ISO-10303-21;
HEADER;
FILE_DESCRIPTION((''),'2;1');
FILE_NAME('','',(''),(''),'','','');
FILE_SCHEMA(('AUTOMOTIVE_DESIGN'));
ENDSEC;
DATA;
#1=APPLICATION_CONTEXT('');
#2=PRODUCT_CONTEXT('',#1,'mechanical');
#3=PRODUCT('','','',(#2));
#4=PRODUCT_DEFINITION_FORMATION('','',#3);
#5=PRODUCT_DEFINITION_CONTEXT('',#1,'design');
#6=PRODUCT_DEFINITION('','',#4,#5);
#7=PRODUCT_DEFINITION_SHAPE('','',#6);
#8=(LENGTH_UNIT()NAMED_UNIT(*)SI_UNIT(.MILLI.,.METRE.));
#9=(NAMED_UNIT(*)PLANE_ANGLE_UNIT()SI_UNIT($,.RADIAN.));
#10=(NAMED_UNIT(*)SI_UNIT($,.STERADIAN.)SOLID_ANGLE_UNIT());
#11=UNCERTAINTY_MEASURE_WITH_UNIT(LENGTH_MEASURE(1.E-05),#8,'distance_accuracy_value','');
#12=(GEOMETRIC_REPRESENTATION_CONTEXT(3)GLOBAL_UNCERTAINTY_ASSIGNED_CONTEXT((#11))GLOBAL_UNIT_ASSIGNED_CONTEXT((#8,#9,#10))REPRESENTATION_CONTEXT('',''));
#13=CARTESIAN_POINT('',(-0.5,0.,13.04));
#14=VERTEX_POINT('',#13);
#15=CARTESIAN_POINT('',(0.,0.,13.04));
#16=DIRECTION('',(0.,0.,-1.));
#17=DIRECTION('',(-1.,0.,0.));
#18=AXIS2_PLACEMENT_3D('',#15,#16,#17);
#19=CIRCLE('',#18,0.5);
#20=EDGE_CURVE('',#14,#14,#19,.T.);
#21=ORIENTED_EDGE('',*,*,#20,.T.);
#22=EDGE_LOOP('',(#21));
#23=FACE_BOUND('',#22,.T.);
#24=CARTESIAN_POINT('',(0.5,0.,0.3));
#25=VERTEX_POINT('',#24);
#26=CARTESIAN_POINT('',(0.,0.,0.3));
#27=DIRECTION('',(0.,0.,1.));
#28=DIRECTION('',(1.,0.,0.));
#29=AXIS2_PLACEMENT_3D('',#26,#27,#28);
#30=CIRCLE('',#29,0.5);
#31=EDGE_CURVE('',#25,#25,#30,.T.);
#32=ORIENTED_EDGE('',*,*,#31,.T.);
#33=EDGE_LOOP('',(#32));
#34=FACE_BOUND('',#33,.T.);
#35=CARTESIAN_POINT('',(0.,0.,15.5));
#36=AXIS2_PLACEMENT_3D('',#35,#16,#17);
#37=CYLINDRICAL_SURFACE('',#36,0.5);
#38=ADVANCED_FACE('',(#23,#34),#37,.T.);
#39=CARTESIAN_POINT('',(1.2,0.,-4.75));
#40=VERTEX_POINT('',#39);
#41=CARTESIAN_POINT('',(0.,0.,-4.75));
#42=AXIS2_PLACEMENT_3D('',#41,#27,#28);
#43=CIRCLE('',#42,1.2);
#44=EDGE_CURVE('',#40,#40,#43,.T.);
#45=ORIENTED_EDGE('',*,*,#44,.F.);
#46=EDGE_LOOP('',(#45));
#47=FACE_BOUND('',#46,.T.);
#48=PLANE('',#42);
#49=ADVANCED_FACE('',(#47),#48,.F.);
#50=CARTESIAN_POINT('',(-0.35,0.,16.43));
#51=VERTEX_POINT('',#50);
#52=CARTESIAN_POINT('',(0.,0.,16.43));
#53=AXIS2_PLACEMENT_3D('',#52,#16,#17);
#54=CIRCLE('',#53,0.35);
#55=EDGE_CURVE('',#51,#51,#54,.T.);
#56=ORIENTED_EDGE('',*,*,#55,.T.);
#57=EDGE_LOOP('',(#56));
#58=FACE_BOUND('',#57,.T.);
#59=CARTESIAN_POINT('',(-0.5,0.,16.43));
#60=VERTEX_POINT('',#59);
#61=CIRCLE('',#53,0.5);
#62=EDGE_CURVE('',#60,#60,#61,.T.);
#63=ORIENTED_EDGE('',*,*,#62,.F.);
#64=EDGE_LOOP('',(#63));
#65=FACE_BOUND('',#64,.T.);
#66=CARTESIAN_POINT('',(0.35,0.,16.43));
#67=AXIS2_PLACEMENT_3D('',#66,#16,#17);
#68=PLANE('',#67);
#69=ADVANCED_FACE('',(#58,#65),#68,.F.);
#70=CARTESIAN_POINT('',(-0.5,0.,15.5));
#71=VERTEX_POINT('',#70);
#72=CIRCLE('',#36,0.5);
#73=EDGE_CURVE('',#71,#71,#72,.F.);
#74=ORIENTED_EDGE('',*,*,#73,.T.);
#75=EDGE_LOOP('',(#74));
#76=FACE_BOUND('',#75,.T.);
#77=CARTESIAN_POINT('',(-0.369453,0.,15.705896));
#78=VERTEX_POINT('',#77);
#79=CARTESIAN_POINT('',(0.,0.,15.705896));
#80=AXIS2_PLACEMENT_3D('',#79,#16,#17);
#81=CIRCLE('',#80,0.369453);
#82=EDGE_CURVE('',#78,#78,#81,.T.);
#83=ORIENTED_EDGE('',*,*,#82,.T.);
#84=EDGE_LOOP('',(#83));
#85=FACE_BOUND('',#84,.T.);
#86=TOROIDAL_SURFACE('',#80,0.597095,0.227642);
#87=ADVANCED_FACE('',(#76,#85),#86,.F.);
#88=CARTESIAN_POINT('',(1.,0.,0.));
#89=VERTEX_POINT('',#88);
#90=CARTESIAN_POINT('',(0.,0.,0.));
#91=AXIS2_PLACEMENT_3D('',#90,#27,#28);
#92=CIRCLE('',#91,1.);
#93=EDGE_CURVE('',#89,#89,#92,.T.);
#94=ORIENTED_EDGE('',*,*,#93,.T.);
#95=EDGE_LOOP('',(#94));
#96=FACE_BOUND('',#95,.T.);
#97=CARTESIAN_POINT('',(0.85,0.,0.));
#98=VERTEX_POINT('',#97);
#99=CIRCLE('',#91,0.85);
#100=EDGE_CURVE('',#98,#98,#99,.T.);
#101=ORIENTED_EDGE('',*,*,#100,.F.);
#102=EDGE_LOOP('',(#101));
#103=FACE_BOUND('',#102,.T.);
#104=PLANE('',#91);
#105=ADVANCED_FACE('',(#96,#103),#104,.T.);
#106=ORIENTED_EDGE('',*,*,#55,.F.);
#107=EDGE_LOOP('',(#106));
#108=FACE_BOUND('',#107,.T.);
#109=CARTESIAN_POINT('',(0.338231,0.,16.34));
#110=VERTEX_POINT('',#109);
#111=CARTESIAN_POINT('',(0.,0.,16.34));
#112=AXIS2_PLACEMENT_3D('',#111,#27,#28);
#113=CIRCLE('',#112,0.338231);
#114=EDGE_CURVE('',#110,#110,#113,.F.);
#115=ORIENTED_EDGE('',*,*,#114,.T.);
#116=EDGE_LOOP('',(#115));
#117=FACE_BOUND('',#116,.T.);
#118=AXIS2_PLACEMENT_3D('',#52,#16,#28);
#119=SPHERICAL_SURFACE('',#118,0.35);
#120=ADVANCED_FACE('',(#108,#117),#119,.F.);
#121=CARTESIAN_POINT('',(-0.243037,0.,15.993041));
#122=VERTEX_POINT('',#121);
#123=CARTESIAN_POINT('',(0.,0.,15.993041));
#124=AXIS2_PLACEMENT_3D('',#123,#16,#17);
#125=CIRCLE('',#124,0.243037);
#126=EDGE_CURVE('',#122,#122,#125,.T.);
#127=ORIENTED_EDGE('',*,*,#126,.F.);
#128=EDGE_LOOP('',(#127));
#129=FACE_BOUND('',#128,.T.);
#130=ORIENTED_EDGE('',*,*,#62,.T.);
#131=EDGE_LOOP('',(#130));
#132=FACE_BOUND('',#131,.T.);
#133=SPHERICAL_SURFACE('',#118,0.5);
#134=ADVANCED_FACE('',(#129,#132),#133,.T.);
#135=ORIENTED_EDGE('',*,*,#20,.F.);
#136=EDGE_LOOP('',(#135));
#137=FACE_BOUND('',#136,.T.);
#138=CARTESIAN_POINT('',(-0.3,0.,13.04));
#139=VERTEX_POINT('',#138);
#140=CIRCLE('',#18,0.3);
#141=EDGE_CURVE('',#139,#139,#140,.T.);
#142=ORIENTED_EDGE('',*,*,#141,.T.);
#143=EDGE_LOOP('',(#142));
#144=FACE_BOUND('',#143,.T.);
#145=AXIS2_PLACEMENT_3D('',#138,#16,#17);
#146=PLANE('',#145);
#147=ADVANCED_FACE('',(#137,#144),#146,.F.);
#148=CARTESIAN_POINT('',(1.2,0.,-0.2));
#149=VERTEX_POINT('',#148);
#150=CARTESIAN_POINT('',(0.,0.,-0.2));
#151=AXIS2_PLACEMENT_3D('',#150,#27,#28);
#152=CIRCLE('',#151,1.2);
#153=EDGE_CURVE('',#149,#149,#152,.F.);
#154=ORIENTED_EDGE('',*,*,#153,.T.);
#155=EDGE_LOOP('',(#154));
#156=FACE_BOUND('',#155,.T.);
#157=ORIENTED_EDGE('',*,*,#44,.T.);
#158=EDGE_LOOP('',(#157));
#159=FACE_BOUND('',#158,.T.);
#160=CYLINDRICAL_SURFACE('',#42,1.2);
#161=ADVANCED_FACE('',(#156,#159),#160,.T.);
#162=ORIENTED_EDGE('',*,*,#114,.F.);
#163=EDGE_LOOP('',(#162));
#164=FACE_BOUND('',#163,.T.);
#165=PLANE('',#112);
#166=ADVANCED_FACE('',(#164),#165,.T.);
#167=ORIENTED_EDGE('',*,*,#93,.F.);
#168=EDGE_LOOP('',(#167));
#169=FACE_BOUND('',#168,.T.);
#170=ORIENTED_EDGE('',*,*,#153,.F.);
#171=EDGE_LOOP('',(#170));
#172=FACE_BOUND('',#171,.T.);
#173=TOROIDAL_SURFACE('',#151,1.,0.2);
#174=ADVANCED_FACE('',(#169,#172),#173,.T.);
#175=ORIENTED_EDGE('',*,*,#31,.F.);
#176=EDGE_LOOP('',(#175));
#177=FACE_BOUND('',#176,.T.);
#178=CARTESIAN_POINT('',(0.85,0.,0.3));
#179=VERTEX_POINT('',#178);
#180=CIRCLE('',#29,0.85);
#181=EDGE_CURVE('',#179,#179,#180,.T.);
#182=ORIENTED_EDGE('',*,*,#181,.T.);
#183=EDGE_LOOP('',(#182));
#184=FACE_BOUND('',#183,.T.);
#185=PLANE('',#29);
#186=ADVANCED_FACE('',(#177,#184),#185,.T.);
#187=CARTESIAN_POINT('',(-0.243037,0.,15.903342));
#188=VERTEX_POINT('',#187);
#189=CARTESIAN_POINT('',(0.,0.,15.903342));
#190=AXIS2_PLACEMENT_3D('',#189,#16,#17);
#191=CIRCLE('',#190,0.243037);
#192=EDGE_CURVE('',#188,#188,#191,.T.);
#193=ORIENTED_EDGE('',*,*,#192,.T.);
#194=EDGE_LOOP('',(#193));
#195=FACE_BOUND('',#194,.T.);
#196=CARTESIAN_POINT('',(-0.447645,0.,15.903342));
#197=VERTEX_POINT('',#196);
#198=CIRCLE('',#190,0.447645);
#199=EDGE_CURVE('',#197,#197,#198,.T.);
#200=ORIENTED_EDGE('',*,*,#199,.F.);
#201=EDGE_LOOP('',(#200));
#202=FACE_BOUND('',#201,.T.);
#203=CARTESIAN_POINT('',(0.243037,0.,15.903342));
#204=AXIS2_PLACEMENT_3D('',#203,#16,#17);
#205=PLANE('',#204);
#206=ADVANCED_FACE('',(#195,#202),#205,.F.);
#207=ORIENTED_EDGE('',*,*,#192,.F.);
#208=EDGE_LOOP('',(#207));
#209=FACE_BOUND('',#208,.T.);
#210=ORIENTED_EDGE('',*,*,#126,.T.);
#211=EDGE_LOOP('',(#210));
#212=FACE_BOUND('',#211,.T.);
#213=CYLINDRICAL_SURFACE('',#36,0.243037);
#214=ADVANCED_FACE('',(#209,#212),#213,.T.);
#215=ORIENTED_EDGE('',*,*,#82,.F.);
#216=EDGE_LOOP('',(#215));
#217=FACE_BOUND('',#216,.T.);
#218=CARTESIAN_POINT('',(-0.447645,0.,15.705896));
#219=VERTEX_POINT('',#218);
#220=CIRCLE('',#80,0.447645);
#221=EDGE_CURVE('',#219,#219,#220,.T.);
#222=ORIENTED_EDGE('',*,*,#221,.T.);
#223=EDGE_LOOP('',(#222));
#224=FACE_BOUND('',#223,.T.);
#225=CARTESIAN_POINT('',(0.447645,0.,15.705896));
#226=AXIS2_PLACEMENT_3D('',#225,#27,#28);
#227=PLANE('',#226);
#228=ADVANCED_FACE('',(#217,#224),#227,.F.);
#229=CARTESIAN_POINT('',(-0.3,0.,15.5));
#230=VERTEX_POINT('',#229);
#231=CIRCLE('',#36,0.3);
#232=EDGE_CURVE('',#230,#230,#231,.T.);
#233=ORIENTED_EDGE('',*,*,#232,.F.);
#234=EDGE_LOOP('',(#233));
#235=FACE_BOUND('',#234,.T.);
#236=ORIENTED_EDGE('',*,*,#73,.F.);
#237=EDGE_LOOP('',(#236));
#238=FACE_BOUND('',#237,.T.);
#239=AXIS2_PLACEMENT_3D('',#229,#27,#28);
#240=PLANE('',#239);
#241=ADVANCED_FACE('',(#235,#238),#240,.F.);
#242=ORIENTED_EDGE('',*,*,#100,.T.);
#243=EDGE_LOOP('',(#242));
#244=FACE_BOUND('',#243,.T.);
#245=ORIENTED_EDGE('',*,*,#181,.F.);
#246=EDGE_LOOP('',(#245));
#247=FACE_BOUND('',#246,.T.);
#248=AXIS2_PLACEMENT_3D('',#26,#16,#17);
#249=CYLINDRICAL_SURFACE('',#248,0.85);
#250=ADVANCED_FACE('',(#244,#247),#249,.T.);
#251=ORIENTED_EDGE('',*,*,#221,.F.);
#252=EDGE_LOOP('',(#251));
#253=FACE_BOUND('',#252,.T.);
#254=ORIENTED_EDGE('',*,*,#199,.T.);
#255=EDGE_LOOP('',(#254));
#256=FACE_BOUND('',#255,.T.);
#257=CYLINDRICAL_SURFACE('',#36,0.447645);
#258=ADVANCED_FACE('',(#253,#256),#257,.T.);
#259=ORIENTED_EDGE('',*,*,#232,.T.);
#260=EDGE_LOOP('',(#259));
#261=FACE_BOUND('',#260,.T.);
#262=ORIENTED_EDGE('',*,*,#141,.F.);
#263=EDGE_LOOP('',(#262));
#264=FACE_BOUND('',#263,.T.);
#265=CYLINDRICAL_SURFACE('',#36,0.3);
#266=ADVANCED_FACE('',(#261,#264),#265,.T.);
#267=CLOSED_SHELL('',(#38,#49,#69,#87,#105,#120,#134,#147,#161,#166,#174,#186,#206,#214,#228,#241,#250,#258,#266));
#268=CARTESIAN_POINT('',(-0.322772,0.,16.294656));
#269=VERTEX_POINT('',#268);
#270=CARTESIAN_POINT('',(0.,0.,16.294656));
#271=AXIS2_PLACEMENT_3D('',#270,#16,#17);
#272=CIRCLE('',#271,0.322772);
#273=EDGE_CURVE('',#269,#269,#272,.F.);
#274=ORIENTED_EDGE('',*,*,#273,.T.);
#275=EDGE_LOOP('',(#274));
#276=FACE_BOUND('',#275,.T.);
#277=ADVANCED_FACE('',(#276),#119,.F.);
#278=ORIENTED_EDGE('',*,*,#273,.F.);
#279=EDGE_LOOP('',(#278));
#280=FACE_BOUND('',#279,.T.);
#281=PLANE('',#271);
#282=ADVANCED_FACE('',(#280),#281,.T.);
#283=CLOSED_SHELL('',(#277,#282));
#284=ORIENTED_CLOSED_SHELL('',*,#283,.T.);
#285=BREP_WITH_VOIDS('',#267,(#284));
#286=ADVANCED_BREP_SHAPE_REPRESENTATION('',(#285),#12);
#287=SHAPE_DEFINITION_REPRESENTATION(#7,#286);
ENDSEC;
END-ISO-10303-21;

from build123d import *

# Parameters (mm, degrees)
SKETCH1_R           = 0.5
BOSS_EXTRUDE1_DEPTH = 15.5
SKETCH1_3_R         = 1.2
BOSS_EXTRUDE2_DEPTH = 4.75
FILLET1_R           = 0.2
SKETCH2_R           = 0.85
BOSS_EXTRUDE3_DEPTH = 0.3
SKETCH4_W           = 0.461524445
SKETCH4_H           = 0.045344169
SKETCH7_W           = 0.600727217
SKETCH7_H           = 2.46


with BuildPart() as part:
    # Sketch1 → Boss-Extrude1 (new body)
    with BuildSketch(Plane.XY):
        Circle(SKETCH1_R)
    extrude(amount=BOSS_EXTRUDE1_DEPTH)



with BuildPart() as body_2:
    # Sketch1<3> → Boss-Extrude2 (new body)
    with BuildSketch(Plane.XY):
        Circle(SKETCH1_3_R)
    extrude(amount=-BOSS_EXTRUDE2_DEPTH)

    # Fillet1
    fillet1_edges = [body_2.edges().sort_by_distance(p)[0] for p in [
        (-1.2, 0, 0),
    ]]
    fillet(fillet1_edges, radius=FILLET1_R)


with BuildPart() as part_1:
    add(part.part)

    add(body_2.part)  # Boss-Extrude3 merges body 2
    # Sketch2 → Boss-Extrude3 (add)
    with BuildSketch(Plane.XY):
        Circle(SKETCH2_R)
    extrude(amount=BOSS_EXTRUDE3_DEPTH)

    # Sketch3 → Revolve1 (revolve)
    with BuildSketch(Plane(origin=(0, 0, 0), x_dir=(1, 0, 0), z_dir=(0, 1, 0))):
        with BuildLine():
            Line((0.5, -15.5), (0, -15.5))
            Line((0, -15.5), (0, -16.08))
            ThreePointArc((0, -16.08), (0.247487373, -16.182512627), (0.35, -16.43))
            Line((0.35, -16.43), (0.5, -16.43))
            ThreePointArc((0.5, -16.43), (0.430997893, -16.176542279), (0.243036734, -15.993041025))
            Line((0.243036734, -15.993041025), (0.243036734, -15.903342272))
            Line((0.243036734, -15.903342272), (0.447644951, -15.903342272))
            Line((0.447644951, -15.903342272), (0.447644951, -15.705896244))
            Line((0.447644951, -15.705896244), (0.36945341, -15.705896244))
            ThreePointArc((0.36945341, -15.705896244), (0.404840541, -15.583999079), (0.5, -15.5))
        make_face()
    revolve(axis=Axis((0, 0, 15.5), (0, 0, 1)))

    # Sketch4 → Revolve2 (revolve)
    with BuildSketch(Plane(origin=(0, 0, 0), x_dir=(1, 0, 0), z_dir=(0, 1, 0))):
        with Locations((-0.230762223, -16.317327916)):
            Rectangle(SKETCH4_W, SKETCH4_H)
    revolve(axis=Axis((0, 0, 15.5), (0, 0, 1)))

    # Sketch7 → Cut-Revolve1 (revolve, cut)
    with BuildSketch(Plane(origin=(0, 0, 0), x_dir=(1, 0, 0), z_dir=(0, 1, 0))):
        with Locations((-0.600363609, -14.27)):
            Rectangle(SKETCH7_W, SKETCH7_H)
    revolve(axis=Axis((0, 0, 15.5), (0, 0, 1)), mode=Mode.SUBTRACT)


solid = part_1.part
